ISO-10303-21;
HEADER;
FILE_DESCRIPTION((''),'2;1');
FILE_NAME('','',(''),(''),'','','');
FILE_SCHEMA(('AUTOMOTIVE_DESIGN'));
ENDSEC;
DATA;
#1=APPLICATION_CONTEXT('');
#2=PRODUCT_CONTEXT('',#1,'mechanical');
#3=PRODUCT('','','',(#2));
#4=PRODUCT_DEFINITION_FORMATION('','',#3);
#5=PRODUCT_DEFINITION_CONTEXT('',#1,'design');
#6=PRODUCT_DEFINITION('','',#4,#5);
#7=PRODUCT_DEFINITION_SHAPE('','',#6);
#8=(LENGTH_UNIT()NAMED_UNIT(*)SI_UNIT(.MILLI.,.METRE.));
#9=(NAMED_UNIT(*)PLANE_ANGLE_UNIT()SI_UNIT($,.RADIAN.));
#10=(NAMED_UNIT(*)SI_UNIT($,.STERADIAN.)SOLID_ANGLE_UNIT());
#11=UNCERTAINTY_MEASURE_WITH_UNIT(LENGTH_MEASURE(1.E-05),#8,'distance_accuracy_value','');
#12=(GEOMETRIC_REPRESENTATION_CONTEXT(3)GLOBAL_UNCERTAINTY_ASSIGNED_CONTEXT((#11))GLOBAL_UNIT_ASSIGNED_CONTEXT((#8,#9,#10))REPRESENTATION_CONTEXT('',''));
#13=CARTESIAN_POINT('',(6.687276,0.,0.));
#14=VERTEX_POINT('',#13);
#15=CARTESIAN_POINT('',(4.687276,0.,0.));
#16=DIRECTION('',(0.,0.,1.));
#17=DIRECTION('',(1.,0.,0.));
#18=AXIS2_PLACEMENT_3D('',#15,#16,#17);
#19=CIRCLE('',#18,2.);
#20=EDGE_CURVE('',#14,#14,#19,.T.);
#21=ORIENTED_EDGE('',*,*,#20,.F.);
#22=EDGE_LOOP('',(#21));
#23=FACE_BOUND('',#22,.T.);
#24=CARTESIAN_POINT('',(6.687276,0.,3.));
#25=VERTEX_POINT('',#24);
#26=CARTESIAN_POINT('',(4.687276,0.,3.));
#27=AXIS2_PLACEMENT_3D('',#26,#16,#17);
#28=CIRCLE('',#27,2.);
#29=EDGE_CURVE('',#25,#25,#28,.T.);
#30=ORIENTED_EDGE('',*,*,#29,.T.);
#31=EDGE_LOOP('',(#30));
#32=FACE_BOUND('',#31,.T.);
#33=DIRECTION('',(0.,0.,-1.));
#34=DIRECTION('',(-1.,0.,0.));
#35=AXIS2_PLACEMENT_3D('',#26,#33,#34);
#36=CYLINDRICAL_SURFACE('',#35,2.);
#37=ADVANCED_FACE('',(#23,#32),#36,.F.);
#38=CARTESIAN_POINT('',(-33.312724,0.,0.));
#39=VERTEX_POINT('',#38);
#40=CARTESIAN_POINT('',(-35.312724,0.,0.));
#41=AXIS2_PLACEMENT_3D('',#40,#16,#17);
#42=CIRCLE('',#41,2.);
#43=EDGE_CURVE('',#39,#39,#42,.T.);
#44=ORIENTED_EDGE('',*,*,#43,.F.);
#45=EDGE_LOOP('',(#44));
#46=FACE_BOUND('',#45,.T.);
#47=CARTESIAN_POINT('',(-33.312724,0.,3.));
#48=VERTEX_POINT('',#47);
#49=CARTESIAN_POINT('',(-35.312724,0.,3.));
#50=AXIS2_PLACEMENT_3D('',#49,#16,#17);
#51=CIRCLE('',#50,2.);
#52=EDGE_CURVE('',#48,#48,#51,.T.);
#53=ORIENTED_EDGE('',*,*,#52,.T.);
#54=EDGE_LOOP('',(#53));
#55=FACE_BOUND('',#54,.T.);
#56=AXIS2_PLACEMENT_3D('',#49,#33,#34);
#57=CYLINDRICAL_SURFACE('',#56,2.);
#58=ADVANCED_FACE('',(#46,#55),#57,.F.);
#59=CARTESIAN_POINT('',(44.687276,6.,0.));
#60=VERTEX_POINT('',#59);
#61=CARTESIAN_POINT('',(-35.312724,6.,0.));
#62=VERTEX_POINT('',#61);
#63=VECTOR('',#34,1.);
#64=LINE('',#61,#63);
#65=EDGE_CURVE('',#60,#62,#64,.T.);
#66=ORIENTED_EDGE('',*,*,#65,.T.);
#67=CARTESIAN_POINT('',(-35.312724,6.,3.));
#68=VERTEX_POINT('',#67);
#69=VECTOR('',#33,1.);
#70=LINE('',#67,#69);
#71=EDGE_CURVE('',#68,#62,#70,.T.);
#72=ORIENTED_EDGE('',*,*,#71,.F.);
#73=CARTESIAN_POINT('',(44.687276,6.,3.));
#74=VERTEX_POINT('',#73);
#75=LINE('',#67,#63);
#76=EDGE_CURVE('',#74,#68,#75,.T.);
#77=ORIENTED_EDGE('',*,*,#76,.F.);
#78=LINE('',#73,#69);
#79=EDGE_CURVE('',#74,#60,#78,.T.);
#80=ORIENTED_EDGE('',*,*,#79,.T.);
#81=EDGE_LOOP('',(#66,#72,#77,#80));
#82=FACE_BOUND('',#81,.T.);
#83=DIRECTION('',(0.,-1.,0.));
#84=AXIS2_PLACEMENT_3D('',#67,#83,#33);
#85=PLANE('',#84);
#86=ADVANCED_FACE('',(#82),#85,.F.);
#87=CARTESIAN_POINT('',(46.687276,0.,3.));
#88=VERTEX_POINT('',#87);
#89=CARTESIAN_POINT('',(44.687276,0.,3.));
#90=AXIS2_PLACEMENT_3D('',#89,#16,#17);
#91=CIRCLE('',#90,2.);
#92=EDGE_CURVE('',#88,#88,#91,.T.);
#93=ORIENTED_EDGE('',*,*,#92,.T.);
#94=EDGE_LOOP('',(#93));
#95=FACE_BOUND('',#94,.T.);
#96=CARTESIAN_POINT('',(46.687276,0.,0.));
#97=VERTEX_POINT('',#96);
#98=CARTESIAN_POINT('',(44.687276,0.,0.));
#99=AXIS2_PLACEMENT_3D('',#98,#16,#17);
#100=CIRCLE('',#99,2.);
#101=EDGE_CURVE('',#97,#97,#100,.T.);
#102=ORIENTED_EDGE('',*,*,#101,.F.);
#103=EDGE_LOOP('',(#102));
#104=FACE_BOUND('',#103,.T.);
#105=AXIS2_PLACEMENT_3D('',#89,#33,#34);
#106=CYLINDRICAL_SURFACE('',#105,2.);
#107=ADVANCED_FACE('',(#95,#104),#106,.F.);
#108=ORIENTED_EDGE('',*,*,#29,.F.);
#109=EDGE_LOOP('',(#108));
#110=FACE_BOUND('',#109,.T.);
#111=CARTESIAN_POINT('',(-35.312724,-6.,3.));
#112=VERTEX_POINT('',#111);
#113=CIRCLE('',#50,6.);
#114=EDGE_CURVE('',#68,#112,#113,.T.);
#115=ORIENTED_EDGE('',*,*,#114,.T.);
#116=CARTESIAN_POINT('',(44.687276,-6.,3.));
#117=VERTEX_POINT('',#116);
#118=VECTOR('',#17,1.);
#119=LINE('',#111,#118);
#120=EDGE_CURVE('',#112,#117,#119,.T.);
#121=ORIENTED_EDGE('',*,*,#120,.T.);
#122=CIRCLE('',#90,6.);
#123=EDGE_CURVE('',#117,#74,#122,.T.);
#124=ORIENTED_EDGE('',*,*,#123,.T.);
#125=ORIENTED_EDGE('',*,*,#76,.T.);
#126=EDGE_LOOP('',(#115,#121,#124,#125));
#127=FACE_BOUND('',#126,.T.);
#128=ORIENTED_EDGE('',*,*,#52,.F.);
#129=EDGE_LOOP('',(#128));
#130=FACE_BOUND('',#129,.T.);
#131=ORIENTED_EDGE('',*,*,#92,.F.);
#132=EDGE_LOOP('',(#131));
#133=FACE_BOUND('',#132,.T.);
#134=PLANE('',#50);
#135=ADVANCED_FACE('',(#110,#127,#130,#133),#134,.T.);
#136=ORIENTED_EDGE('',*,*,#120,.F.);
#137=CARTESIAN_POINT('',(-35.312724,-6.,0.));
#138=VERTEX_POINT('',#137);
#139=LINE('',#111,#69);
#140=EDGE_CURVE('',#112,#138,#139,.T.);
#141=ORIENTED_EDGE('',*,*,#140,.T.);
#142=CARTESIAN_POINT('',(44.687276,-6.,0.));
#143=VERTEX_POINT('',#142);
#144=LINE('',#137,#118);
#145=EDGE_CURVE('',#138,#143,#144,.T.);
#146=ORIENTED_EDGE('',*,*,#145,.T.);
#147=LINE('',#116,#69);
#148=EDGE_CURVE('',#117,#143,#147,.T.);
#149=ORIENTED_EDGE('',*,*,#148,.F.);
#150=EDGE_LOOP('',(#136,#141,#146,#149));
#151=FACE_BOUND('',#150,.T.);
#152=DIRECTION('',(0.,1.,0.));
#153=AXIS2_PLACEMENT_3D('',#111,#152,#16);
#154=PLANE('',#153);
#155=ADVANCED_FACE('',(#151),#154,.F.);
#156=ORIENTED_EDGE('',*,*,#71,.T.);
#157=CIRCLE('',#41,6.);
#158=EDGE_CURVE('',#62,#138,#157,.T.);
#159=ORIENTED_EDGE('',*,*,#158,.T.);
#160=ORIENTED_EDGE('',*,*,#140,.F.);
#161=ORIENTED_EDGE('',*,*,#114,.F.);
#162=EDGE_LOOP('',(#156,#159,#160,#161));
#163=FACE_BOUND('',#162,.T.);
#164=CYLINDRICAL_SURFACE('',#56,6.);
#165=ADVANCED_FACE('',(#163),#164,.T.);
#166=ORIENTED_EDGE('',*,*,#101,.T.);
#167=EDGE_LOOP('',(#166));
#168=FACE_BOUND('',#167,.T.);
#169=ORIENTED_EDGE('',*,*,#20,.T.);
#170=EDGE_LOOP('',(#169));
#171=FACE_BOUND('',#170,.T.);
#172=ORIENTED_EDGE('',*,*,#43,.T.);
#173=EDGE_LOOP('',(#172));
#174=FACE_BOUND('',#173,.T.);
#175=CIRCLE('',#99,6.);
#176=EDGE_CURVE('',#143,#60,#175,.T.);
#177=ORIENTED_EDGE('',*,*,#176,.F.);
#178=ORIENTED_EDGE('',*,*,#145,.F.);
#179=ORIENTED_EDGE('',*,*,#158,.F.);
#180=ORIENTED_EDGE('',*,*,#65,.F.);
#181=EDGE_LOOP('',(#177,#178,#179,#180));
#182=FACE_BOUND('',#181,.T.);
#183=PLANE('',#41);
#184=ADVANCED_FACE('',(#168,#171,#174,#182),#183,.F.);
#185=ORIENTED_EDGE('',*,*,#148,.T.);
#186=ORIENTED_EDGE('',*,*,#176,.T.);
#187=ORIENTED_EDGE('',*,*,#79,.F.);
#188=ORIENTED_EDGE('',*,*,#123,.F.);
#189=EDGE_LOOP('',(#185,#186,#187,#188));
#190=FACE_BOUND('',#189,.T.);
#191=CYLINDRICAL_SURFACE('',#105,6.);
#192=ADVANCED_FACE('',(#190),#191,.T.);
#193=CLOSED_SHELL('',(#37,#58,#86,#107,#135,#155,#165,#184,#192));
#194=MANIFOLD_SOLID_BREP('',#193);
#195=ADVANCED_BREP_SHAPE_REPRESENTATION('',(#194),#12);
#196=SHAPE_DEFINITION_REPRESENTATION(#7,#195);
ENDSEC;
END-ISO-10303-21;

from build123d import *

# Parameters (mm, degrees)
SKETCH1_R           = 2
BOSS_EXTRUDE3_DEPTH = 3


with BuildPart() as part:
    # Sketch1 → Boss-Extrude3 (new body)
    with BuildSketch(Plane.XY):
        with BuildLine():
            Line((-35.312724167, 6), (44.687275833, 6))
            ThreePointArc((44.687275833, 6), (50.687275833, 0), (44.687275833, -6))
            Line((44.687275833, -6), (-35.312724167, -6))
            ThreePointArc((-35.312724167, -6), (-41.312724167, 0), (-35.312724167, 6))
        make_face()
        with Locations((-35.312724167, 0)):
            Circle(SKETCH1_R, mode=Mode.SUBTRACT)
        with Locations((44.687275833, 0)):
            Circle(SKETCH1_R, mode=Mode.SUBTRACT)
        with Locations((4.687275833, 0)):
            Circle(SKETCH1_R, mode=Mode.SUBTRACT)
    extrude(amount=BOSS_EXTRUDE3_DEPTH)


solid = part.part
